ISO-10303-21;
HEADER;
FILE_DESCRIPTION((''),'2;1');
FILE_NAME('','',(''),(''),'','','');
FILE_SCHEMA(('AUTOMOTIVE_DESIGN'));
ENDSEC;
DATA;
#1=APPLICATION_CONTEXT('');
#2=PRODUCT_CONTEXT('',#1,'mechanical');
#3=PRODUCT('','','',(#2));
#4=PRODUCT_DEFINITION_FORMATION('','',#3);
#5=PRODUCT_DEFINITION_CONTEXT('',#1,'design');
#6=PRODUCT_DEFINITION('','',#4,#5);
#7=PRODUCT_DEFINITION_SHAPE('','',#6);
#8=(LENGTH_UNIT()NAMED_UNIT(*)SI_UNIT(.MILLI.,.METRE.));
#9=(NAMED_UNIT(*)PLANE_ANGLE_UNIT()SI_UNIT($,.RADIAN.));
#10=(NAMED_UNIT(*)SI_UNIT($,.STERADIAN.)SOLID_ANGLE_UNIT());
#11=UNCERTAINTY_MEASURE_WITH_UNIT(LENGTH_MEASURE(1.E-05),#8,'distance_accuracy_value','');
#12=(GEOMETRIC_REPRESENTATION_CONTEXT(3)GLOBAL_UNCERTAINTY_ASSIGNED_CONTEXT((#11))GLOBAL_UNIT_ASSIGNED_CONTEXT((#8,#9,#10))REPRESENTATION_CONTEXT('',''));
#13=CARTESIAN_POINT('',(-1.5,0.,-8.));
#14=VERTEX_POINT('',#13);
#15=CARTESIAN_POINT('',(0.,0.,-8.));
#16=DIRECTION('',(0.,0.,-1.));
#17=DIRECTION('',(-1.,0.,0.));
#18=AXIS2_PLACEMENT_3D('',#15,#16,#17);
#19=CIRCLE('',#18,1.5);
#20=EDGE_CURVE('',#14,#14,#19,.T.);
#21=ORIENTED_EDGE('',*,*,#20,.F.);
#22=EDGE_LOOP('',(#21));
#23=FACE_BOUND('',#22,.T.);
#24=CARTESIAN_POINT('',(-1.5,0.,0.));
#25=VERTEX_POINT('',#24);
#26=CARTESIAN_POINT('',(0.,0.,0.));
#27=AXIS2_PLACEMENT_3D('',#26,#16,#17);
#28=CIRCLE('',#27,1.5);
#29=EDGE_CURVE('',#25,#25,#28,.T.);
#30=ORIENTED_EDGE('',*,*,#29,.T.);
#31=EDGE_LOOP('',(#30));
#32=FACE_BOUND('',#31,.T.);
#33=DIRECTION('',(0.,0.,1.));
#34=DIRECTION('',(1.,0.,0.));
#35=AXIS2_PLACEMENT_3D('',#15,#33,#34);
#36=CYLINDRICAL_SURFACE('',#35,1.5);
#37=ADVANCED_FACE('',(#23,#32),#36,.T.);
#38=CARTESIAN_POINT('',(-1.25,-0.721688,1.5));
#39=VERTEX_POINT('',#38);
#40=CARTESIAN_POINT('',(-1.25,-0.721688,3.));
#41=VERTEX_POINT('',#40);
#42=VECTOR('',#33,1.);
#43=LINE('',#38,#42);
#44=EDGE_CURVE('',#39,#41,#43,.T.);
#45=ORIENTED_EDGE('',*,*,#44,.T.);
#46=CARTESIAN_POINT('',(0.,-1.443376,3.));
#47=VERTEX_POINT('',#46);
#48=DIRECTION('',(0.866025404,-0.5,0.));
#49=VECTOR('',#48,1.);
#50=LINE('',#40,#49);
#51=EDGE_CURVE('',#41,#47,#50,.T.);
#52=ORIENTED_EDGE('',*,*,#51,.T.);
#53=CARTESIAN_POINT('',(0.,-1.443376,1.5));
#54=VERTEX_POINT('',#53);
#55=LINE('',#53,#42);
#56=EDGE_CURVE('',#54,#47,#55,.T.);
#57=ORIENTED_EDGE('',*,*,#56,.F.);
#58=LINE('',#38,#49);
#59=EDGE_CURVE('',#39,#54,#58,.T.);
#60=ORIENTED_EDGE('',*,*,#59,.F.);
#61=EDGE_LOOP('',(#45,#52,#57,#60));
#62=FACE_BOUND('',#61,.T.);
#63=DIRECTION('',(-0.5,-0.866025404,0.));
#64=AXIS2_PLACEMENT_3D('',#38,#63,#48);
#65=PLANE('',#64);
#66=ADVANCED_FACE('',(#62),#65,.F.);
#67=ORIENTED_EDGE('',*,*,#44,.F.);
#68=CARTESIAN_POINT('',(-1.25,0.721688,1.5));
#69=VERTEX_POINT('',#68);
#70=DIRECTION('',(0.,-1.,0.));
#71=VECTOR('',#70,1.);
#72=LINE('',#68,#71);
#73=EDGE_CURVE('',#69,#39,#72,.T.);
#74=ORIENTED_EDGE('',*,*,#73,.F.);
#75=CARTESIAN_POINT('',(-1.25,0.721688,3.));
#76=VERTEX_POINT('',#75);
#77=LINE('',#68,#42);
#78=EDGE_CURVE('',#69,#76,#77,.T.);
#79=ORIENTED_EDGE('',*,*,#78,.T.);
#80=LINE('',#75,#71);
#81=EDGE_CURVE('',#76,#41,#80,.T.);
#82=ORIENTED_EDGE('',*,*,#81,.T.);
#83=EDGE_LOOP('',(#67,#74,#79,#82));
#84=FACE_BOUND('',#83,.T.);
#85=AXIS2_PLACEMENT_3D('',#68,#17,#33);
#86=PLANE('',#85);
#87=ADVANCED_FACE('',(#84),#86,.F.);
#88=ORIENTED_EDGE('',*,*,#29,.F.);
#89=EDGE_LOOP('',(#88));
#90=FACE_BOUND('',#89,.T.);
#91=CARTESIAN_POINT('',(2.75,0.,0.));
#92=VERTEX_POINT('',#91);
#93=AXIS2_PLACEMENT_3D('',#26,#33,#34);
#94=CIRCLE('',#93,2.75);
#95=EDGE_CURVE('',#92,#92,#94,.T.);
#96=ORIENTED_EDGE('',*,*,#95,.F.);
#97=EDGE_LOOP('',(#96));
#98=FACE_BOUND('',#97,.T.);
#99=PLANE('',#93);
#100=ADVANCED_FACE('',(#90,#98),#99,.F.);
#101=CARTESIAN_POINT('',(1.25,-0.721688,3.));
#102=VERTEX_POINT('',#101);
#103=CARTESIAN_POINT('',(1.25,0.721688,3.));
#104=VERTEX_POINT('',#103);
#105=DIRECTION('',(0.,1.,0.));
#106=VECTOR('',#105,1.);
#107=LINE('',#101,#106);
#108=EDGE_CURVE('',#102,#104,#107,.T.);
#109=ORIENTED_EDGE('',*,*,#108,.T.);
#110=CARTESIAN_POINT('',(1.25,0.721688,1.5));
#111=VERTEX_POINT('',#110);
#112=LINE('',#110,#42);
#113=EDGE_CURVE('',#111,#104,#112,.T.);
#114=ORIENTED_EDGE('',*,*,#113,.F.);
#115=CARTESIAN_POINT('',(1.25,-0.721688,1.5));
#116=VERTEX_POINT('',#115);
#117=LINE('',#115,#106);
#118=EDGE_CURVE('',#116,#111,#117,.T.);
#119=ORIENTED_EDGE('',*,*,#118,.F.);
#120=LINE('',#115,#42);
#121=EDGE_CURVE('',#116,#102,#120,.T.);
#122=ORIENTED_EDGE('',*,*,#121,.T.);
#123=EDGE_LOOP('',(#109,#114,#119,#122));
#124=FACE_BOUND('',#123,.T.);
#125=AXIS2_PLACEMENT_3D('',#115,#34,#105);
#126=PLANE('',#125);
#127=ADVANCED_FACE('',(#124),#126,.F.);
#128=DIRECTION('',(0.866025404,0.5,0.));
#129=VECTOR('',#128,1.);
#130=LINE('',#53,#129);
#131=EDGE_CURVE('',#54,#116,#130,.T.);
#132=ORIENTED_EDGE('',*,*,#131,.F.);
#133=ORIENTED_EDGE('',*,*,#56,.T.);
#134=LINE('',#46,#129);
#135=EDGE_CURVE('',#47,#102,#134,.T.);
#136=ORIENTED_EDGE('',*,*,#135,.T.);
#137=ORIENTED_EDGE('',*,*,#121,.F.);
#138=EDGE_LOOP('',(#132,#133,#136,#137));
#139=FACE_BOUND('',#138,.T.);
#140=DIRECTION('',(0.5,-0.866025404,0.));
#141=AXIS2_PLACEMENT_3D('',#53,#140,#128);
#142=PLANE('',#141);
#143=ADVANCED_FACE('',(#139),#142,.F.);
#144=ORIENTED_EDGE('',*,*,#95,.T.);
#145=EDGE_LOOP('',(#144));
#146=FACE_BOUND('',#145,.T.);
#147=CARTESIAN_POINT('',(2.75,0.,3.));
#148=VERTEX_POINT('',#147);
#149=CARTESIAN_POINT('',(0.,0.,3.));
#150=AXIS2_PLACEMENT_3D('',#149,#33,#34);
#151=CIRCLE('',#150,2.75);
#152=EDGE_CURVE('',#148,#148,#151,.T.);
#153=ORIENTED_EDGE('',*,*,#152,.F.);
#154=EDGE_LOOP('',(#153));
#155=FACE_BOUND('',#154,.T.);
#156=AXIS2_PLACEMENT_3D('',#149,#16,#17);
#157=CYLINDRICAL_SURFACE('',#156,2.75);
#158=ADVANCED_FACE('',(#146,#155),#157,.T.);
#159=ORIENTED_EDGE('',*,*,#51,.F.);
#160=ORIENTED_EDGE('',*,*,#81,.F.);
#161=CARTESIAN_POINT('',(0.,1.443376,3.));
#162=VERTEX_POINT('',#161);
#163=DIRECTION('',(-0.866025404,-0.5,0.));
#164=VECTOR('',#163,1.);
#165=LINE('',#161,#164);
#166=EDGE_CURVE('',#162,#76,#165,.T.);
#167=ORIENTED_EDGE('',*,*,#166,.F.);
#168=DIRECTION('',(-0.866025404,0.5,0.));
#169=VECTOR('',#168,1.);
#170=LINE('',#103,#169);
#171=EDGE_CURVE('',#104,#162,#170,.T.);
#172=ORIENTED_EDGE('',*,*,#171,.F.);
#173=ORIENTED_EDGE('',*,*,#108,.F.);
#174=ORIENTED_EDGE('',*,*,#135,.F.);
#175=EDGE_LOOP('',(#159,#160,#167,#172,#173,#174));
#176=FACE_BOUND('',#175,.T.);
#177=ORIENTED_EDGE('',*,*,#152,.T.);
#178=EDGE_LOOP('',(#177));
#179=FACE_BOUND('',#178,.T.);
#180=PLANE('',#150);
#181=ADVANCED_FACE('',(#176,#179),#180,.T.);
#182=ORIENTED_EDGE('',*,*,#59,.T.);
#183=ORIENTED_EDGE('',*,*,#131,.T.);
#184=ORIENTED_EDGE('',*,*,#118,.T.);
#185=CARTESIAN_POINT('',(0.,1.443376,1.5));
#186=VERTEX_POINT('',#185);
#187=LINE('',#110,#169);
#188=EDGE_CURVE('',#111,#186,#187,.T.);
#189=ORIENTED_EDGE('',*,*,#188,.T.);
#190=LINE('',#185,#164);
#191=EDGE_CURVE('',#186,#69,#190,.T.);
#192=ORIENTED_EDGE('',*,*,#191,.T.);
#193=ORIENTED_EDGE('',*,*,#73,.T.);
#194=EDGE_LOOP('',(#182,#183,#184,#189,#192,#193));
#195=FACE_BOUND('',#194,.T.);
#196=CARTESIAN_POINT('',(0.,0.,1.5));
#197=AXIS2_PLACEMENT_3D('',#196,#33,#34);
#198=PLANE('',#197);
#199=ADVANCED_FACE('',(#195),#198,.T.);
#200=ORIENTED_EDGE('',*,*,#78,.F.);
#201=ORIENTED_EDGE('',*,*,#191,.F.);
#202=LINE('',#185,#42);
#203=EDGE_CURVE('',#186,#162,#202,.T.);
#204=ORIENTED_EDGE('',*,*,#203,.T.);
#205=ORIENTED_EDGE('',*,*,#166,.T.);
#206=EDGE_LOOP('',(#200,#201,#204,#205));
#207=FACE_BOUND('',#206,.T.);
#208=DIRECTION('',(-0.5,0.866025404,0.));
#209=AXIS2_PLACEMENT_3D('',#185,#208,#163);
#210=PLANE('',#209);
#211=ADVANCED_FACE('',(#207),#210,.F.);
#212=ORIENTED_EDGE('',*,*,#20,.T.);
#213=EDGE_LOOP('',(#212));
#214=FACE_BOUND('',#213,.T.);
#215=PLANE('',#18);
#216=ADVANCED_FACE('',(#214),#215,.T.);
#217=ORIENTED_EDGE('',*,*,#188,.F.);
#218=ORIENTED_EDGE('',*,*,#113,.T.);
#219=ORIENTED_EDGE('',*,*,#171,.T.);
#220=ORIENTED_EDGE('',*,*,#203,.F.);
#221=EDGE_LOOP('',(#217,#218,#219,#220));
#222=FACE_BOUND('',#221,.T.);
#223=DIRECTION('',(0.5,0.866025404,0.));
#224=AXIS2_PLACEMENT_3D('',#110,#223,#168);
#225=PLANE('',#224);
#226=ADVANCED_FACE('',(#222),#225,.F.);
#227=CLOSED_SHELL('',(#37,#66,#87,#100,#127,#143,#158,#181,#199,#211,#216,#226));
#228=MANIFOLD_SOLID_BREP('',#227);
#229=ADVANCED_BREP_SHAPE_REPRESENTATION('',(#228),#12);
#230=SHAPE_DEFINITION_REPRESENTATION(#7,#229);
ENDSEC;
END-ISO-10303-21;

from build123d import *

# Parameters (mm, degrees)
SKETCH_1_R          = 2.75
EXTRUDE_1_DEPTH     = 3
CUT_EXTRUDE_1_DEPTH = 1.5
SKETCH_3_R          = 1.5
EXTRUDE_2_DEPTH     = 8


with BuildPart() as part:
    # 草图1 → 凸台-拉伸1 (new body)
    with BuildSketch(Plane.XY):
        Circle(SKETCH_1_R)
    extrude(amount=EXTRUDE_1_DEPTH)

    # 草图2 → 切除-拉伸1 (cut)
    with BuildSketch(Plane.XY.offset(3)):
        Polygon((0, -1.443375673), (1.25, -0.721687836), (1.25, 0.721687836), (0, 1.443375673), (-1.25, 0.721687836), (-1.25, -0.721687836), align=None)
    extrude(amount=-CUT_EXTRUDE_1_DEPTH, mode=Mode.SUBTRACT)

    # 草图3 → 凸台-拉伸2 (add)
    with BuildSketch(Plane(origin=(0, 0, 0), x_dir=(-1, 0, 0), z_dir=(0, 0, -1))):
        Circle(SKETCH_3_R)
    extrude(amount=EXTRUDE_2_DEPTH)


solid = part.part
